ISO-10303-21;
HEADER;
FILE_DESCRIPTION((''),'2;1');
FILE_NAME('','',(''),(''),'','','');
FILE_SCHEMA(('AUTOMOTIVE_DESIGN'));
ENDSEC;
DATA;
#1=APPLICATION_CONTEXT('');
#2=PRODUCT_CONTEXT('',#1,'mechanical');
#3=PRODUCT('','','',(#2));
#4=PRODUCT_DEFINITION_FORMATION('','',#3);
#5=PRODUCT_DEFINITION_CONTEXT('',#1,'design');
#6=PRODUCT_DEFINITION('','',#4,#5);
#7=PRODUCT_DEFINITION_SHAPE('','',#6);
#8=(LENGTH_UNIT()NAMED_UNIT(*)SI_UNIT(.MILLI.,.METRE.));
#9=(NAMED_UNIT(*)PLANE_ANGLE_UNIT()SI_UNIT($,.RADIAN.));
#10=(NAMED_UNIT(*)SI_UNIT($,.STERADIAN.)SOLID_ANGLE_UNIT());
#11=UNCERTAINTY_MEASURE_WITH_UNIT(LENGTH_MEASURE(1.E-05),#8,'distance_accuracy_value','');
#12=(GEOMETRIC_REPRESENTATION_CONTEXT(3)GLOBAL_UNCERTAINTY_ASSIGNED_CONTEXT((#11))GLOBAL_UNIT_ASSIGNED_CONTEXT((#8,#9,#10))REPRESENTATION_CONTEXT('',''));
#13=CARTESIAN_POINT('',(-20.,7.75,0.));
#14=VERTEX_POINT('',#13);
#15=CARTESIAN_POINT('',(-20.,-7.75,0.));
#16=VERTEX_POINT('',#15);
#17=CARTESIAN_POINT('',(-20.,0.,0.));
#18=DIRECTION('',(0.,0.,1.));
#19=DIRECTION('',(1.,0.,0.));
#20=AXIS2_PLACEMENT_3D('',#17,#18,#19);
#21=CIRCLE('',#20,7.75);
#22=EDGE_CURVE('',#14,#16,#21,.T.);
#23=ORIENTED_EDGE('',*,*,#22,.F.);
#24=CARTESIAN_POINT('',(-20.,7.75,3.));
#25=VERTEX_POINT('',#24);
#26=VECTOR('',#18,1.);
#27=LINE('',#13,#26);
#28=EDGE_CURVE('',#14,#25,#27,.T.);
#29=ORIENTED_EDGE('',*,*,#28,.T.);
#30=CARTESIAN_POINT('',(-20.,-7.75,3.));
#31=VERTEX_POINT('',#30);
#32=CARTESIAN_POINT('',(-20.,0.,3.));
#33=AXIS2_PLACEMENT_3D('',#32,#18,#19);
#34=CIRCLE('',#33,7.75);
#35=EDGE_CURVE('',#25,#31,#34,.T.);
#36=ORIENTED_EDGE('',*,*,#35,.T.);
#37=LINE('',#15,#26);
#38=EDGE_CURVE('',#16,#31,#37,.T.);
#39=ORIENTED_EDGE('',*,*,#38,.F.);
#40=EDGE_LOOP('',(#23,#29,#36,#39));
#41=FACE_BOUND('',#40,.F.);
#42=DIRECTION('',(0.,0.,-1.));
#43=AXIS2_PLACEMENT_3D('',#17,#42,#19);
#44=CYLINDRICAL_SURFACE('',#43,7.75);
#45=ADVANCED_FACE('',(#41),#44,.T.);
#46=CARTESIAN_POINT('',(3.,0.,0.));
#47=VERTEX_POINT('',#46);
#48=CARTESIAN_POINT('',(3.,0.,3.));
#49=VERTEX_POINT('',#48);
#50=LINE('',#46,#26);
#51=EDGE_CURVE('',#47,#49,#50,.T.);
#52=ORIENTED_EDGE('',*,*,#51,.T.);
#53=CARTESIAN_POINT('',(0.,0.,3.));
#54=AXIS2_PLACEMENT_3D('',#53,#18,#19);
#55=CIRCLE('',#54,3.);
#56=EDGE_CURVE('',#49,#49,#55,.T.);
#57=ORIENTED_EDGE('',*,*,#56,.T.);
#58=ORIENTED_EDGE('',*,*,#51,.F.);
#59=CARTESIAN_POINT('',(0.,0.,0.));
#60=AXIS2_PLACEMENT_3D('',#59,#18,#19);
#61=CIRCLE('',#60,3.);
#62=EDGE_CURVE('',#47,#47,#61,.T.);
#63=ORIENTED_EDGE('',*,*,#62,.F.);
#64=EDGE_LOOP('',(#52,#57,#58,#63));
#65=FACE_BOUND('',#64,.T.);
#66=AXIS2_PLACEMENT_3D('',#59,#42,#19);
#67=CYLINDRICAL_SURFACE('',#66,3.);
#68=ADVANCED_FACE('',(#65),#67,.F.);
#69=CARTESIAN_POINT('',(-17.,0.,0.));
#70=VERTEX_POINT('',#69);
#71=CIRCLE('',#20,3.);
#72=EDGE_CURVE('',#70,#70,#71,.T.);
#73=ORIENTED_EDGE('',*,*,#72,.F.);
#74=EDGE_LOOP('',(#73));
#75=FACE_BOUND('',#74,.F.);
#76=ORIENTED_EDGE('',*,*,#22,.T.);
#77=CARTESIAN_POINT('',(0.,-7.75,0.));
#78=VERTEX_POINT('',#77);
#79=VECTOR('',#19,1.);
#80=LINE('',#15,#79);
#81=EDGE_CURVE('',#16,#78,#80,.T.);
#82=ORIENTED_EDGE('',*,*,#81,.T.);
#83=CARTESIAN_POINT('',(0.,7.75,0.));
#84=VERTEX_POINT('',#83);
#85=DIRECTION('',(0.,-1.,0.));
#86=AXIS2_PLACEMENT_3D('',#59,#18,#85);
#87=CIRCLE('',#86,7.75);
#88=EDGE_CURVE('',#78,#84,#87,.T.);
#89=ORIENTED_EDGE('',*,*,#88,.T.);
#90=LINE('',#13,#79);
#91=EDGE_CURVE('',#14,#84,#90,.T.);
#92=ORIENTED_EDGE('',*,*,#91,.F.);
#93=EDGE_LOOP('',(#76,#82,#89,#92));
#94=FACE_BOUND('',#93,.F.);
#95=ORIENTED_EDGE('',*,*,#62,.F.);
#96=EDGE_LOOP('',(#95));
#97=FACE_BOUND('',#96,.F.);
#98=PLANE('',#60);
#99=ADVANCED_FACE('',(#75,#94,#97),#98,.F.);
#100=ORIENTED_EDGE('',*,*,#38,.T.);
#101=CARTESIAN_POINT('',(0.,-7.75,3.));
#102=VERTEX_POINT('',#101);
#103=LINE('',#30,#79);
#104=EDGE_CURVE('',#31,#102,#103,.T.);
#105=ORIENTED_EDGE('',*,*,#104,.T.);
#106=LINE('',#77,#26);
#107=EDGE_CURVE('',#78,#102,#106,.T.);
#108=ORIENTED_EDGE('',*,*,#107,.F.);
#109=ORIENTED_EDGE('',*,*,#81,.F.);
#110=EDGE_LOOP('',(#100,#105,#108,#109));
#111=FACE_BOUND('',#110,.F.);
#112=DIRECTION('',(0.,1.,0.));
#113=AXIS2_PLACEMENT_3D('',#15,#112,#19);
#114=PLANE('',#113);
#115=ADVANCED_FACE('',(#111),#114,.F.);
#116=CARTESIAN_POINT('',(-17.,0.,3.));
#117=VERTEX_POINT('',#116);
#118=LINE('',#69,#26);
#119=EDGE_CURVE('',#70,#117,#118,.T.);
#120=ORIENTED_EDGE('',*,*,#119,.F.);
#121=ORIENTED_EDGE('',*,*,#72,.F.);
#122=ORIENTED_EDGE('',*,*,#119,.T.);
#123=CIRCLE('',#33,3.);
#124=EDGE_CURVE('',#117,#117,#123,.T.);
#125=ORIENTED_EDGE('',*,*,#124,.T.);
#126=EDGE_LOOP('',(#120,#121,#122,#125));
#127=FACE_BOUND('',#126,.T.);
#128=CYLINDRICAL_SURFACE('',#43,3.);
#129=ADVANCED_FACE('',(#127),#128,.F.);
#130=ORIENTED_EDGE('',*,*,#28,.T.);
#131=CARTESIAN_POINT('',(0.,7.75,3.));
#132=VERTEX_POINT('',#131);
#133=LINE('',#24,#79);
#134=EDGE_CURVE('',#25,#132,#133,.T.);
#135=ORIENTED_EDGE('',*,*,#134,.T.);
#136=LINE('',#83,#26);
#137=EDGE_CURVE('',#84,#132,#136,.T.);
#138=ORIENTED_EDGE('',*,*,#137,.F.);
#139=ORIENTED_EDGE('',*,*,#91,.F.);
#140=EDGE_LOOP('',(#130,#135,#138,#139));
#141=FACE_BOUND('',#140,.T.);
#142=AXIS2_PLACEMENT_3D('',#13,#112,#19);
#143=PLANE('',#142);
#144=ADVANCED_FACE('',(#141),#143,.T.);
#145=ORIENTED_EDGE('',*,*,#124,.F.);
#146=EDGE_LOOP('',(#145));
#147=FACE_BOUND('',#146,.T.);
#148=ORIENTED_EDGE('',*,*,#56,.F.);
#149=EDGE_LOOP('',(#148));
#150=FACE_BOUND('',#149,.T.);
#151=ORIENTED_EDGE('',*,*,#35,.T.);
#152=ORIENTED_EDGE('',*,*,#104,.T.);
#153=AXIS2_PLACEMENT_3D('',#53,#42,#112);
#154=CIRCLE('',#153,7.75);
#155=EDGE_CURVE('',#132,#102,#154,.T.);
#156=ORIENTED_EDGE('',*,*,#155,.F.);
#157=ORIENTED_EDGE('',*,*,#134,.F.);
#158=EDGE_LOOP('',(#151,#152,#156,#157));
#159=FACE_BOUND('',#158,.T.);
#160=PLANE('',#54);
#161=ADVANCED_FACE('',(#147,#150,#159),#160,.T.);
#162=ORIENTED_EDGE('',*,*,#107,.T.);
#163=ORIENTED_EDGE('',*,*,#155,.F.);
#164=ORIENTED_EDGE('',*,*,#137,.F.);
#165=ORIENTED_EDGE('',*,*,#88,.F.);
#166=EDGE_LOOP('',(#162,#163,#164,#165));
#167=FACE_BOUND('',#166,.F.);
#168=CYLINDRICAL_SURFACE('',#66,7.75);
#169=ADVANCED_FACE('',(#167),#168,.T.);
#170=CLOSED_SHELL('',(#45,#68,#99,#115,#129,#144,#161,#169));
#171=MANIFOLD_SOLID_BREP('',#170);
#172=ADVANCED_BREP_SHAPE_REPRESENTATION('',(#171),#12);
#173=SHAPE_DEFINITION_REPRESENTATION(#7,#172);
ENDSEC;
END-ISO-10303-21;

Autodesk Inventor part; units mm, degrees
ref_plane "YZ Plane" through (0, 0, 0) normal (1, 0, 0) x (0, 1, 0)
ref_plane "XZ Plane" through (0, 0, 0) normal (0, 1, 0) x (-1, 0, 0)
ref_plane "XY Plane" through (0, 0, 0) normal (0, 0, 1) x (1, 0, 0)
sketch "Base" plane through (0, 0, 0) normal (0, 0, 1) x (1, 0, 0)
  circle A0 centre (0, 0) radius 7.75
  line L0 (0, 0) -> (-20, 0) construction
  circle A1 centre (-20, 0) radius 7.75
  circle A2 centre (0, 0) radius 3
  circle A3 centre (-20, 0) radius 3
  line L1 (-20, 7.75) -> (0, 7.75)
  line L2 (-20, -7.75) -> (0, -7.75)
  dimension "d0" = 15.5
  dimension "d1" = 20
  dimension "d3" = 6
extrude "BaseFeature" add sketch "Base" along normal blind 3
properties part number "FaceTubeConnector"
